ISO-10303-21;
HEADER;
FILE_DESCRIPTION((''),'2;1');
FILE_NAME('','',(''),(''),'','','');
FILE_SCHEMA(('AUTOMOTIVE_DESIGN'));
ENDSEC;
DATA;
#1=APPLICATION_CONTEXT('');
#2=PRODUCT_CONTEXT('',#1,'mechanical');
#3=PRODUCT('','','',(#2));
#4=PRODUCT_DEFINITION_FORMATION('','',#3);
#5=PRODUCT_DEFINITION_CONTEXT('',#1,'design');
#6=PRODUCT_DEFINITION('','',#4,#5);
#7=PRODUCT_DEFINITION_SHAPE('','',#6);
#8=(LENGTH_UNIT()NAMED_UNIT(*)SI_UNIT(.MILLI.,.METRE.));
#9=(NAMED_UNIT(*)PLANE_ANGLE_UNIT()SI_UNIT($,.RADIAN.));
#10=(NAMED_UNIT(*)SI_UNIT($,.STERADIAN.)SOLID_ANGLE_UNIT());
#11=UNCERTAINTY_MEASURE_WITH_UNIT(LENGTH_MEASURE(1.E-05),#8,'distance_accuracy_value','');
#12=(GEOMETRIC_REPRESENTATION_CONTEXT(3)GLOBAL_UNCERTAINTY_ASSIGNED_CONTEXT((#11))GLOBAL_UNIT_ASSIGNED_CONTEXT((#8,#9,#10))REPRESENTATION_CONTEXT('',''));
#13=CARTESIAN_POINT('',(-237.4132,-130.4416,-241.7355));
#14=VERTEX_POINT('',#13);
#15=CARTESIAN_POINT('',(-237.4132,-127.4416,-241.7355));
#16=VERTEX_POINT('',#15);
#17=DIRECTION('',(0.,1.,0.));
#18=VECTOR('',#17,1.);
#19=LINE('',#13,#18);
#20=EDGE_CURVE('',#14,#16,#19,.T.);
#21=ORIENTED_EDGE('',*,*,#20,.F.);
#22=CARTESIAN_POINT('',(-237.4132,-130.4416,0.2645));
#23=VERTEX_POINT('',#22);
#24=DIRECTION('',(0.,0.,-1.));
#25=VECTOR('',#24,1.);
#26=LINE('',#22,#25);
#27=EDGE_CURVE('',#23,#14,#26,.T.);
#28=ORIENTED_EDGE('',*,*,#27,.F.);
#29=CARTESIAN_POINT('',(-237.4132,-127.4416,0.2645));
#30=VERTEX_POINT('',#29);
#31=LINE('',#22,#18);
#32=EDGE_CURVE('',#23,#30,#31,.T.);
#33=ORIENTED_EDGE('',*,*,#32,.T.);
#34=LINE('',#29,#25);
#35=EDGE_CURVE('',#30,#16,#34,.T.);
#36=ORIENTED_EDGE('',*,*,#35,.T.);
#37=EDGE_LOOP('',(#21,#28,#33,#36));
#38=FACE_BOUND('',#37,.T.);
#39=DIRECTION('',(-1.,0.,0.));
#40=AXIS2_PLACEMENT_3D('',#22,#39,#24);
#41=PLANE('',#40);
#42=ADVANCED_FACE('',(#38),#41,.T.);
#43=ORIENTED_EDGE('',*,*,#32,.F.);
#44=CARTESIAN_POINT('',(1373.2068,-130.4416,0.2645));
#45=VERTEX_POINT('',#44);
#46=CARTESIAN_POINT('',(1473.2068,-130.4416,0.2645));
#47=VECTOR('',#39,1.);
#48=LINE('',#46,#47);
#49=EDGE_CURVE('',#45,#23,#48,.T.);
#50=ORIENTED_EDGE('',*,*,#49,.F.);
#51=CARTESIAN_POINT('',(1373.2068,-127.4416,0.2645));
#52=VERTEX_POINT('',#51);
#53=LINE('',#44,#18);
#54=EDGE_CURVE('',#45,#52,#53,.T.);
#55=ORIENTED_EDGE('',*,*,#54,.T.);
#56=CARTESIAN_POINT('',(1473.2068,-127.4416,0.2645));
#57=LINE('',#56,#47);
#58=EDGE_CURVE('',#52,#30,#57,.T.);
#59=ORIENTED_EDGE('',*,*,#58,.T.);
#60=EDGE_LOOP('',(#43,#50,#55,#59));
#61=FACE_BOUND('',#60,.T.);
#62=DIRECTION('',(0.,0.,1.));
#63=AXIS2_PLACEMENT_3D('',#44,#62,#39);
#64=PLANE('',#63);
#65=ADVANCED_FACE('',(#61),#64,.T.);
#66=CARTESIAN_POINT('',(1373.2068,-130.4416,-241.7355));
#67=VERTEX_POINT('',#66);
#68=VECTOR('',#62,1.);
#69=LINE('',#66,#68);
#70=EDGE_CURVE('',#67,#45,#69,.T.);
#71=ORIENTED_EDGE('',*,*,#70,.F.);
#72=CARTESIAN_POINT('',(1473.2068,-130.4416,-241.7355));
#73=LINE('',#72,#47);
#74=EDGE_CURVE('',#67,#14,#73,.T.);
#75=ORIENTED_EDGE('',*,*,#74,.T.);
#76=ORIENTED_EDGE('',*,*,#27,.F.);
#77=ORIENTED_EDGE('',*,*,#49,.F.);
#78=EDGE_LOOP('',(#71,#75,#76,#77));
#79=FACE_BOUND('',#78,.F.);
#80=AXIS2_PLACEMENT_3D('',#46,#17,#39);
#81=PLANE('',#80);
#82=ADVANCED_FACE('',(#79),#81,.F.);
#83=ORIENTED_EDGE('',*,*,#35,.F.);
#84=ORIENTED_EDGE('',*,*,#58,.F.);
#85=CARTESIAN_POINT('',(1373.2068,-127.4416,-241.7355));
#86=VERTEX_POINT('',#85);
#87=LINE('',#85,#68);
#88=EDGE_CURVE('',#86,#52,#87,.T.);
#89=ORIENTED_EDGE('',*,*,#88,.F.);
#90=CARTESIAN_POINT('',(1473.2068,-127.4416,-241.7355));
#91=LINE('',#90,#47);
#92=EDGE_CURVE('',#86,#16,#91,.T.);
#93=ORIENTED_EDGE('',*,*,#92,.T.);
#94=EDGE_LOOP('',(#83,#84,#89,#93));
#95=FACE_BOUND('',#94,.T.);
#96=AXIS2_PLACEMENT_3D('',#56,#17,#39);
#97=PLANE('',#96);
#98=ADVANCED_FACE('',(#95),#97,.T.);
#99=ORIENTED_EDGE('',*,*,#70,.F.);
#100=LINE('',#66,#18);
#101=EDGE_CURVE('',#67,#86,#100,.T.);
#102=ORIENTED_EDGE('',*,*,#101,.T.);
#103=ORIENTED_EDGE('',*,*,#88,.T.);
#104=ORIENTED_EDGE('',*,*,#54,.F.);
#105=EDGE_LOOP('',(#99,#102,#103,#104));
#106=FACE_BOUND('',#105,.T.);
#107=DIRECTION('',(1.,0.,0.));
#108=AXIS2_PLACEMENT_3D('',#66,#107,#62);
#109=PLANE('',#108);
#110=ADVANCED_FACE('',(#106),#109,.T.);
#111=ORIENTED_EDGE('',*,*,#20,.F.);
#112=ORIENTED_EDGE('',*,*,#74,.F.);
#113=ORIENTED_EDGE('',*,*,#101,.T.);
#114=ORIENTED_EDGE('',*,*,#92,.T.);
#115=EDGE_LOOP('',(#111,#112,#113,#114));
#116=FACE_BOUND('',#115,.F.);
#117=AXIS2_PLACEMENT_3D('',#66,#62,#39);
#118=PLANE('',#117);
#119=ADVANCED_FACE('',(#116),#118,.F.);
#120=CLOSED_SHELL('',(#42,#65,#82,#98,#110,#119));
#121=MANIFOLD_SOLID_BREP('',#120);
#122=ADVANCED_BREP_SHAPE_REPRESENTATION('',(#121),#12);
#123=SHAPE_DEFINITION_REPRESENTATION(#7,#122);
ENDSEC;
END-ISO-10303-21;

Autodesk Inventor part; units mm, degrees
ref_plane "YZ Plane" through (0, 0, 0) normal (1, 0, 0) x (0, 1, 0)
ref_plane "XZ Plane" through (0, 0, 0) normal (0, 1, 0) x (-1, 0, 0)
ref_plane "XY Plane" through (0, 0, 0) normal (0, 0, 1) x (1, 0, 0)
ref_plane "РабПлоскость1" through (1473.2068, -130.4416, 0.2645) normal (0, 1, 0) x (-1, 0, 0)
sketch "Эскиз1" plane through (1473.2068, -130.4416, 0.2645) normal (0, 1, 0) x (-1, 0, 0)
  line L0 (1710.62, 0) -> (1710.62, -242) projected
  line L1 (0, 0) -> (2010.62, 0) projected
  line L2 (100, -242) -> (100, 0) projected
  line L3 (0, -242) -> (2010.62, -242) projected
  line L4 (1710.62, 0) -> (100, 0)
  line L5 (100, 0) -> (100, -242)
  line L6 (100, -242) -> (1710.62, -242)
  line L7 (1710.62, -242) -> (1710.62, 0)
  point P0 (1473.2068, -0.2645)
extrude "Выдавливание1" add sketch "Эскиз1" along normal blind 3
sketch "Эскиз2" plane through (1473.2068, -130.4416, 0.2645) normal (0, -1, 0) x (1, 0, 0)
  line L0 (-1473.2068, -0.2645) -> (-1473.2068, -242)
  line L1 (-100, -242) -> (-1710.62, -242) projected
  line L2 (-1473.2068, -121.1323) -> (-1998.2148, -121.1323)
properties part number "пол2"
